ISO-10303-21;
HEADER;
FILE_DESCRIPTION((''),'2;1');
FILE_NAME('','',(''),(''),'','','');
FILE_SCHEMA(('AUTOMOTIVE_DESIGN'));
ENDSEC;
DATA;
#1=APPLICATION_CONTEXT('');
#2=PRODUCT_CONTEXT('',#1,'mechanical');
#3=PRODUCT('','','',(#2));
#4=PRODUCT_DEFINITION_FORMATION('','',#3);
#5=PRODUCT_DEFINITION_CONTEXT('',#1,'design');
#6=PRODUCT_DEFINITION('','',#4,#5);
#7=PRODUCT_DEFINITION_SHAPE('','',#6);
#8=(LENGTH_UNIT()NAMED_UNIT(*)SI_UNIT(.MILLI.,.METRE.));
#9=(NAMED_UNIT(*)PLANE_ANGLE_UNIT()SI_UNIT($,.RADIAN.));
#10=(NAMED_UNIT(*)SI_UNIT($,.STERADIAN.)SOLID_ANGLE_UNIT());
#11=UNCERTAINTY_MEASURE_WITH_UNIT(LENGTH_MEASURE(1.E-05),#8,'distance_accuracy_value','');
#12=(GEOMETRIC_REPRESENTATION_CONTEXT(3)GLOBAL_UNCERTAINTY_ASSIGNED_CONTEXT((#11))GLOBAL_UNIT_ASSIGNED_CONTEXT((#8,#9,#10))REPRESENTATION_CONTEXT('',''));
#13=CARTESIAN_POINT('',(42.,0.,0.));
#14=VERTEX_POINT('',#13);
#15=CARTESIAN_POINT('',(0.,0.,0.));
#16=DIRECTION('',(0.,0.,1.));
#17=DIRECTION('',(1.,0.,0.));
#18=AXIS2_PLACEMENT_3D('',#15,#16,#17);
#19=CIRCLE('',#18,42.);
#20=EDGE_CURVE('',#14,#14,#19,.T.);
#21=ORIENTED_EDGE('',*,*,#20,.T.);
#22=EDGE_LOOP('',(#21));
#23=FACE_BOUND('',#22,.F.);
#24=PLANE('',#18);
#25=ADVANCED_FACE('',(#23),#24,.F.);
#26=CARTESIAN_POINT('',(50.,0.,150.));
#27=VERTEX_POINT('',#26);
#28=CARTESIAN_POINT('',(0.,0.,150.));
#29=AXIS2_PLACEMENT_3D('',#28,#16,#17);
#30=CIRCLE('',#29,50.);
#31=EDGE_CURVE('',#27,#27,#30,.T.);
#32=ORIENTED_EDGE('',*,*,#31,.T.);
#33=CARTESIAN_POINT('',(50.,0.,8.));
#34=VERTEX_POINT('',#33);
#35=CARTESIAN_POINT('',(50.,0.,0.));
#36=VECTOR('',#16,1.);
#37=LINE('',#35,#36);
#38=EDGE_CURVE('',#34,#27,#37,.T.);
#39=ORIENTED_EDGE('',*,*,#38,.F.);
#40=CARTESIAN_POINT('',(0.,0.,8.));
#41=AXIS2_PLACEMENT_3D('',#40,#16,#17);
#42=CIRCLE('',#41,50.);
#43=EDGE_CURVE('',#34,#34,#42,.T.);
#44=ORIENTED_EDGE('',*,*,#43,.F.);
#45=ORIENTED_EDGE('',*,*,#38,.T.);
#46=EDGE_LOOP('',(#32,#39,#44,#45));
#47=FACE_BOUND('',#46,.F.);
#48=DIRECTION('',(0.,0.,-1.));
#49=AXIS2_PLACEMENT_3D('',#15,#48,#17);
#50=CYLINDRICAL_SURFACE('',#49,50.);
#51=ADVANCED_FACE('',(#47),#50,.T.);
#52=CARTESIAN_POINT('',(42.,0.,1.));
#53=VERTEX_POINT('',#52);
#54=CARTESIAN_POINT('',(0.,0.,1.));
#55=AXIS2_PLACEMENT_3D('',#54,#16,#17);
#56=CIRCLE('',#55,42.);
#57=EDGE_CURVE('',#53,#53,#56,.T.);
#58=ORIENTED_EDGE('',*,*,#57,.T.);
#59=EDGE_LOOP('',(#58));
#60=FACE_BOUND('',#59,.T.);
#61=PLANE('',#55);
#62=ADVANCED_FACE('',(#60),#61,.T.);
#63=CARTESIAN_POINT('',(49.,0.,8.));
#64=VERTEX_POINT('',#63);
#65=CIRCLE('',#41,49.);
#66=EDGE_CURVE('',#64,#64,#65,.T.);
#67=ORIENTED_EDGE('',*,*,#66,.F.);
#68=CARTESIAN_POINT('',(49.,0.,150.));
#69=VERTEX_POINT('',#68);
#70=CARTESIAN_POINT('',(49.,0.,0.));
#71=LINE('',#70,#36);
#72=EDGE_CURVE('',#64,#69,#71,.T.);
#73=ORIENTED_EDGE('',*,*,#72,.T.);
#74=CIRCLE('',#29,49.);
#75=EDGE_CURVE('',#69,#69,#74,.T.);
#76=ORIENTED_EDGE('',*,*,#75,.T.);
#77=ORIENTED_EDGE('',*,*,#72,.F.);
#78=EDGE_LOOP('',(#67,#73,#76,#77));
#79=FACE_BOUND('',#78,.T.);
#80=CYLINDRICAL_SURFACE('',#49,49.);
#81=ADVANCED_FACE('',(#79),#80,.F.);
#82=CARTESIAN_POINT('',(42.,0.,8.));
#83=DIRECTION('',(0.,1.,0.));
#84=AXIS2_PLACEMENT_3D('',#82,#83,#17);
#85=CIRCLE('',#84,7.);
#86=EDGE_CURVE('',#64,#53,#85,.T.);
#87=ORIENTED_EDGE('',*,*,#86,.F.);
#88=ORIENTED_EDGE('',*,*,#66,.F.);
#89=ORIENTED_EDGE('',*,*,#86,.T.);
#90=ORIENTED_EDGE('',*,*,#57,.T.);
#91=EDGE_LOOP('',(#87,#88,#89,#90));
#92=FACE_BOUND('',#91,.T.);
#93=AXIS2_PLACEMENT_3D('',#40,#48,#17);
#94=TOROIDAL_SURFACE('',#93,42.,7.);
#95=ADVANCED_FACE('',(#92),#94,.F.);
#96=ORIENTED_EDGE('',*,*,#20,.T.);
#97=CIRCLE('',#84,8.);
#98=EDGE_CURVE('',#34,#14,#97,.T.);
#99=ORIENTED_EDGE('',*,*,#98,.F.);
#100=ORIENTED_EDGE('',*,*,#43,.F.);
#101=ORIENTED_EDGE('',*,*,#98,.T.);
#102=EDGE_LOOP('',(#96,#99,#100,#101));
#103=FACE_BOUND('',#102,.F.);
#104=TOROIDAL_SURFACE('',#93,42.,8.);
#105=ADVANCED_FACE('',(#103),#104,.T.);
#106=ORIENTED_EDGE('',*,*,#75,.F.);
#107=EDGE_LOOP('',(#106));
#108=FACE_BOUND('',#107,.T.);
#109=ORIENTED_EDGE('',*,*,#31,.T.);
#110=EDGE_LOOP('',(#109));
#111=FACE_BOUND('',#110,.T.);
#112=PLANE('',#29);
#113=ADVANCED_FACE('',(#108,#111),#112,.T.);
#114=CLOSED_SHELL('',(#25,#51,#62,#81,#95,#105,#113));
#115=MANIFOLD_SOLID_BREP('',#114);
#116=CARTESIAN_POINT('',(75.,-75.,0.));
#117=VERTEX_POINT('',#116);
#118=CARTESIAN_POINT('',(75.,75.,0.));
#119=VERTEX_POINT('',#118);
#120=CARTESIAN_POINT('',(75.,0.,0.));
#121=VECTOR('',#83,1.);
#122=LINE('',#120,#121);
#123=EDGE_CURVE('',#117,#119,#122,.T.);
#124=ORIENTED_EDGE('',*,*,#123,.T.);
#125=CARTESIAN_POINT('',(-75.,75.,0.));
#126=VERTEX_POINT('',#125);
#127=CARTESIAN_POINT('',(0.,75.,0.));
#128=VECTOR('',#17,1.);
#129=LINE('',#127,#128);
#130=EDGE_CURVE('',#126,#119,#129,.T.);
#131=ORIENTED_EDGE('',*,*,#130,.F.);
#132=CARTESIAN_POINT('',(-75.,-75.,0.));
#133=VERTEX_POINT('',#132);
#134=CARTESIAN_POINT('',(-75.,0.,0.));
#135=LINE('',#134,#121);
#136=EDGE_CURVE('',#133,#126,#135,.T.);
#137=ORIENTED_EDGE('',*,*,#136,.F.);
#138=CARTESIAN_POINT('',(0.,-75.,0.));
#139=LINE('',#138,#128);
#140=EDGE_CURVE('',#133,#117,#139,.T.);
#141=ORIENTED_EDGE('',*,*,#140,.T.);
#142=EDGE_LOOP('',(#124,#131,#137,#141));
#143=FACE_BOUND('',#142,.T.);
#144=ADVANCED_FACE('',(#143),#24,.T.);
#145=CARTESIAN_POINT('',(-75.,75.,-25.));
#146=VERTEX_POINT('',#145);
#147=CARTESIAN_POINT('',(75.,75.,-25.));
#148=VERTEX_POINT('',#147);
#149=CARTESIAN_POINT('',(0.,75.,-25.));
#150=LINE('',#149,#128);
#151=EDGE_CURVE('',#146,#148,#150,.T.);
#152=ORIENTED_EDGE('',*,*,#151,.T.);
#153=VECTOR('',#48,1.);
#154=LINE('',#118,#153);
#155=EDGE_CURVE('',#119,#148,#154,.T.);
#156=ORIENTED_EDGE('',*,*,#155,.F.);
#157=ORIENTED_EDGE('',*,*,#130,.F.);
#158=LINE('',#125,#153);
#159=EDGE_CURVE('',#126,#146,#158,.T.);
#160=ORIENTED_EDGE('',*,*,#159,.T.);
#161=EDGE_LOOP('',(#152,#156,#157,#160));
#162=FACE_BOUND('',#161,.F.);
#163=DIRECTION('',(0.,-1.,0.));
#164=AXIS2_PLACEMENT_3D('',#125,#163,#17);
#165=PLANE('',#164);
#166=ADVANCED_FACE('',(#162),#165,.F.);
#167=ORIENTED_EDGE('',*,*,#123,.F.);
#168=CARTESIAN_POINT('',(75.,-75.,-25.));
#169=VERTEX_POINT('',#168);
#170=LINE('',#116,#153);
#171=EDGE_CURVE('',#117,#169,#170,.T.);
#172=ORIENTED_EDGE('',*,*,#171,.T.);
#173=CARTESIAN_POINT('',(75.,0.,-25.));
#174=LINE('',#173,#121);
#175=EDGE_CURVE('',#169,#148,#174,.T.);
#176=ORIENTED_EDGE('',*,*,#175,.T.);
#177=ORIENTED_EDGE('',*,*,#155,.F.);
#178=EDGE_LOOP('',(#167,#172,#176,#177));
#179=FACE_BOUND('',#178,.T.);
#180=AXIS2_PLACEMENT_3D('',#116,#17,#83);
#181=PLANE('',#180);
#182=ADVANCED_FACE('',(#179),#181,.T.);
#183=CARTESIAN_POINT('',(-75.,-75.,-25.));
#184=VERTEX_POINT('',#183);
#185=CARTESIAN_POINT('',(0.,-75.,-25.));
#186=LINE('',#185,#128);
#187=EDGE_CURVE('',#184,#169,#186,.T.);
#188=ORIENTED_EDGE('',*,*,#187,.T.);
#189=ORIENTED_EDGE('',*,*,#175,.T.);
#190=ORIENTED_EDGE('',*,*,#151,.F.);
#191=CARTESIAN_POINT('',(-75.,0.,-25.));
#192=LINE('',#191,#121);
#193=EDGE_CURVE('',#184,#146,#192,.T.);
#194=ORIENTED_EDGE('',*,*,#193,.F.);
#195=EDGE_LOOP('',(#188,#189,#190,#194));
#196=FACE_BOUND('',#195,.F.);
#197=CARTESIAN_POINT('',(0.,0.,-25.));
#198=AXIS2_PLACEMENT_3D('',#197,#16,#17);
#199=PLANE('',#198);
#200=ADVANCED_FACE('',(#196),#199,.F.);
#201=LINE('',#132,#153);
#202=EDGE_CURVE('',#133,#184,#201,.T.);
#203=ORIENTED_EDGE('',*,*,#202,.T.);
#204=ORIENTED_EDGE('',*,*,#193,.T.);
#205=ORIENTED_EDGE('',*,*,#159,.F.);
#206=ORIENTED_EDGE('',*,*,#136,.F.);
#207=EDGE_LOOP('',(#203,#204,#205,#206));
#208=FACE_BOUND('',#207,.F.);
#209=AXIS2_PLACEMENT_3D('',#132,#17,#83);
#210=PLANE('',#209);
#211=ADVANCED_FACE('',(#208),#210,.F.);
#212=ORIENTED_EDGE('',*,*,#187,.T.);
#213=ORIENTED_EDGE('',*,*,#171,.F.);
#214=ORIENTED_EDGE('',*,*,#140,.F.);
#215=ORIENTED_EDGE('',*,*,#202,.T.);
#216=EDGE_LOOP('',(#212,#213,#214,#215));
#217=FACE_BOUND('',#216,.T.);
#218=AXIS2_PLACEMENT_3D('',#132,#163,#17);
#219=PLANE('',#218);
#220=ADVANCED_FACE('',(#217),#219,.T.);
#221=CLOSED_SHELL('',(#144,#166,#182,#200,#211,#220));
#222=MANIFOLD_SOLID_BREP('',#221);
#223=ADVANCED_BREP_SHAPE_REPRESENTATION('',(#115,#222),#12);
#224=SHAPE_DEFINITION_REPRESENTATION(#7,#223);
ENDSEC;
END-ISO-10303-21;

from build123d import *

# Parameters (mm, degrees)
F0_R     = 50
F1_DEPTH = 150
F2_R     = 8
F3_T     = -1
F4_W     = 150
F4_H     = 150
F5_DEPTH = 25


with BuildPart() as f1:
    # F0 (on Top) → F1 (new body)
    with BuildSketch(Plane.XY):
        Circle(F0_R)
    extrude(amount=F1_DEPTH)

    # F2
    f2_edges = [f1.edges().sort_by_distance(p)[0] for p in [
        (-50, 0, 0),
    ]]
    fillet(f2_edges, radius=F2_R)

    # F3
    f3_openings = [f1.faces().sort_by_distance(p)[0] for p in [
        (0, 0, 150),
    ]]
    offset(amount=F3_T, openings=f3_openings)


with BuildPart() as f5:
    # F4 (on Top) → F5 (new body)
    with BuildSketch(Plane.XY):
        Rectangle(F4_W, F4_H)
    extrude(amount=-F5_DEPTH)


solid = Compound([f1.part, f5.part])
